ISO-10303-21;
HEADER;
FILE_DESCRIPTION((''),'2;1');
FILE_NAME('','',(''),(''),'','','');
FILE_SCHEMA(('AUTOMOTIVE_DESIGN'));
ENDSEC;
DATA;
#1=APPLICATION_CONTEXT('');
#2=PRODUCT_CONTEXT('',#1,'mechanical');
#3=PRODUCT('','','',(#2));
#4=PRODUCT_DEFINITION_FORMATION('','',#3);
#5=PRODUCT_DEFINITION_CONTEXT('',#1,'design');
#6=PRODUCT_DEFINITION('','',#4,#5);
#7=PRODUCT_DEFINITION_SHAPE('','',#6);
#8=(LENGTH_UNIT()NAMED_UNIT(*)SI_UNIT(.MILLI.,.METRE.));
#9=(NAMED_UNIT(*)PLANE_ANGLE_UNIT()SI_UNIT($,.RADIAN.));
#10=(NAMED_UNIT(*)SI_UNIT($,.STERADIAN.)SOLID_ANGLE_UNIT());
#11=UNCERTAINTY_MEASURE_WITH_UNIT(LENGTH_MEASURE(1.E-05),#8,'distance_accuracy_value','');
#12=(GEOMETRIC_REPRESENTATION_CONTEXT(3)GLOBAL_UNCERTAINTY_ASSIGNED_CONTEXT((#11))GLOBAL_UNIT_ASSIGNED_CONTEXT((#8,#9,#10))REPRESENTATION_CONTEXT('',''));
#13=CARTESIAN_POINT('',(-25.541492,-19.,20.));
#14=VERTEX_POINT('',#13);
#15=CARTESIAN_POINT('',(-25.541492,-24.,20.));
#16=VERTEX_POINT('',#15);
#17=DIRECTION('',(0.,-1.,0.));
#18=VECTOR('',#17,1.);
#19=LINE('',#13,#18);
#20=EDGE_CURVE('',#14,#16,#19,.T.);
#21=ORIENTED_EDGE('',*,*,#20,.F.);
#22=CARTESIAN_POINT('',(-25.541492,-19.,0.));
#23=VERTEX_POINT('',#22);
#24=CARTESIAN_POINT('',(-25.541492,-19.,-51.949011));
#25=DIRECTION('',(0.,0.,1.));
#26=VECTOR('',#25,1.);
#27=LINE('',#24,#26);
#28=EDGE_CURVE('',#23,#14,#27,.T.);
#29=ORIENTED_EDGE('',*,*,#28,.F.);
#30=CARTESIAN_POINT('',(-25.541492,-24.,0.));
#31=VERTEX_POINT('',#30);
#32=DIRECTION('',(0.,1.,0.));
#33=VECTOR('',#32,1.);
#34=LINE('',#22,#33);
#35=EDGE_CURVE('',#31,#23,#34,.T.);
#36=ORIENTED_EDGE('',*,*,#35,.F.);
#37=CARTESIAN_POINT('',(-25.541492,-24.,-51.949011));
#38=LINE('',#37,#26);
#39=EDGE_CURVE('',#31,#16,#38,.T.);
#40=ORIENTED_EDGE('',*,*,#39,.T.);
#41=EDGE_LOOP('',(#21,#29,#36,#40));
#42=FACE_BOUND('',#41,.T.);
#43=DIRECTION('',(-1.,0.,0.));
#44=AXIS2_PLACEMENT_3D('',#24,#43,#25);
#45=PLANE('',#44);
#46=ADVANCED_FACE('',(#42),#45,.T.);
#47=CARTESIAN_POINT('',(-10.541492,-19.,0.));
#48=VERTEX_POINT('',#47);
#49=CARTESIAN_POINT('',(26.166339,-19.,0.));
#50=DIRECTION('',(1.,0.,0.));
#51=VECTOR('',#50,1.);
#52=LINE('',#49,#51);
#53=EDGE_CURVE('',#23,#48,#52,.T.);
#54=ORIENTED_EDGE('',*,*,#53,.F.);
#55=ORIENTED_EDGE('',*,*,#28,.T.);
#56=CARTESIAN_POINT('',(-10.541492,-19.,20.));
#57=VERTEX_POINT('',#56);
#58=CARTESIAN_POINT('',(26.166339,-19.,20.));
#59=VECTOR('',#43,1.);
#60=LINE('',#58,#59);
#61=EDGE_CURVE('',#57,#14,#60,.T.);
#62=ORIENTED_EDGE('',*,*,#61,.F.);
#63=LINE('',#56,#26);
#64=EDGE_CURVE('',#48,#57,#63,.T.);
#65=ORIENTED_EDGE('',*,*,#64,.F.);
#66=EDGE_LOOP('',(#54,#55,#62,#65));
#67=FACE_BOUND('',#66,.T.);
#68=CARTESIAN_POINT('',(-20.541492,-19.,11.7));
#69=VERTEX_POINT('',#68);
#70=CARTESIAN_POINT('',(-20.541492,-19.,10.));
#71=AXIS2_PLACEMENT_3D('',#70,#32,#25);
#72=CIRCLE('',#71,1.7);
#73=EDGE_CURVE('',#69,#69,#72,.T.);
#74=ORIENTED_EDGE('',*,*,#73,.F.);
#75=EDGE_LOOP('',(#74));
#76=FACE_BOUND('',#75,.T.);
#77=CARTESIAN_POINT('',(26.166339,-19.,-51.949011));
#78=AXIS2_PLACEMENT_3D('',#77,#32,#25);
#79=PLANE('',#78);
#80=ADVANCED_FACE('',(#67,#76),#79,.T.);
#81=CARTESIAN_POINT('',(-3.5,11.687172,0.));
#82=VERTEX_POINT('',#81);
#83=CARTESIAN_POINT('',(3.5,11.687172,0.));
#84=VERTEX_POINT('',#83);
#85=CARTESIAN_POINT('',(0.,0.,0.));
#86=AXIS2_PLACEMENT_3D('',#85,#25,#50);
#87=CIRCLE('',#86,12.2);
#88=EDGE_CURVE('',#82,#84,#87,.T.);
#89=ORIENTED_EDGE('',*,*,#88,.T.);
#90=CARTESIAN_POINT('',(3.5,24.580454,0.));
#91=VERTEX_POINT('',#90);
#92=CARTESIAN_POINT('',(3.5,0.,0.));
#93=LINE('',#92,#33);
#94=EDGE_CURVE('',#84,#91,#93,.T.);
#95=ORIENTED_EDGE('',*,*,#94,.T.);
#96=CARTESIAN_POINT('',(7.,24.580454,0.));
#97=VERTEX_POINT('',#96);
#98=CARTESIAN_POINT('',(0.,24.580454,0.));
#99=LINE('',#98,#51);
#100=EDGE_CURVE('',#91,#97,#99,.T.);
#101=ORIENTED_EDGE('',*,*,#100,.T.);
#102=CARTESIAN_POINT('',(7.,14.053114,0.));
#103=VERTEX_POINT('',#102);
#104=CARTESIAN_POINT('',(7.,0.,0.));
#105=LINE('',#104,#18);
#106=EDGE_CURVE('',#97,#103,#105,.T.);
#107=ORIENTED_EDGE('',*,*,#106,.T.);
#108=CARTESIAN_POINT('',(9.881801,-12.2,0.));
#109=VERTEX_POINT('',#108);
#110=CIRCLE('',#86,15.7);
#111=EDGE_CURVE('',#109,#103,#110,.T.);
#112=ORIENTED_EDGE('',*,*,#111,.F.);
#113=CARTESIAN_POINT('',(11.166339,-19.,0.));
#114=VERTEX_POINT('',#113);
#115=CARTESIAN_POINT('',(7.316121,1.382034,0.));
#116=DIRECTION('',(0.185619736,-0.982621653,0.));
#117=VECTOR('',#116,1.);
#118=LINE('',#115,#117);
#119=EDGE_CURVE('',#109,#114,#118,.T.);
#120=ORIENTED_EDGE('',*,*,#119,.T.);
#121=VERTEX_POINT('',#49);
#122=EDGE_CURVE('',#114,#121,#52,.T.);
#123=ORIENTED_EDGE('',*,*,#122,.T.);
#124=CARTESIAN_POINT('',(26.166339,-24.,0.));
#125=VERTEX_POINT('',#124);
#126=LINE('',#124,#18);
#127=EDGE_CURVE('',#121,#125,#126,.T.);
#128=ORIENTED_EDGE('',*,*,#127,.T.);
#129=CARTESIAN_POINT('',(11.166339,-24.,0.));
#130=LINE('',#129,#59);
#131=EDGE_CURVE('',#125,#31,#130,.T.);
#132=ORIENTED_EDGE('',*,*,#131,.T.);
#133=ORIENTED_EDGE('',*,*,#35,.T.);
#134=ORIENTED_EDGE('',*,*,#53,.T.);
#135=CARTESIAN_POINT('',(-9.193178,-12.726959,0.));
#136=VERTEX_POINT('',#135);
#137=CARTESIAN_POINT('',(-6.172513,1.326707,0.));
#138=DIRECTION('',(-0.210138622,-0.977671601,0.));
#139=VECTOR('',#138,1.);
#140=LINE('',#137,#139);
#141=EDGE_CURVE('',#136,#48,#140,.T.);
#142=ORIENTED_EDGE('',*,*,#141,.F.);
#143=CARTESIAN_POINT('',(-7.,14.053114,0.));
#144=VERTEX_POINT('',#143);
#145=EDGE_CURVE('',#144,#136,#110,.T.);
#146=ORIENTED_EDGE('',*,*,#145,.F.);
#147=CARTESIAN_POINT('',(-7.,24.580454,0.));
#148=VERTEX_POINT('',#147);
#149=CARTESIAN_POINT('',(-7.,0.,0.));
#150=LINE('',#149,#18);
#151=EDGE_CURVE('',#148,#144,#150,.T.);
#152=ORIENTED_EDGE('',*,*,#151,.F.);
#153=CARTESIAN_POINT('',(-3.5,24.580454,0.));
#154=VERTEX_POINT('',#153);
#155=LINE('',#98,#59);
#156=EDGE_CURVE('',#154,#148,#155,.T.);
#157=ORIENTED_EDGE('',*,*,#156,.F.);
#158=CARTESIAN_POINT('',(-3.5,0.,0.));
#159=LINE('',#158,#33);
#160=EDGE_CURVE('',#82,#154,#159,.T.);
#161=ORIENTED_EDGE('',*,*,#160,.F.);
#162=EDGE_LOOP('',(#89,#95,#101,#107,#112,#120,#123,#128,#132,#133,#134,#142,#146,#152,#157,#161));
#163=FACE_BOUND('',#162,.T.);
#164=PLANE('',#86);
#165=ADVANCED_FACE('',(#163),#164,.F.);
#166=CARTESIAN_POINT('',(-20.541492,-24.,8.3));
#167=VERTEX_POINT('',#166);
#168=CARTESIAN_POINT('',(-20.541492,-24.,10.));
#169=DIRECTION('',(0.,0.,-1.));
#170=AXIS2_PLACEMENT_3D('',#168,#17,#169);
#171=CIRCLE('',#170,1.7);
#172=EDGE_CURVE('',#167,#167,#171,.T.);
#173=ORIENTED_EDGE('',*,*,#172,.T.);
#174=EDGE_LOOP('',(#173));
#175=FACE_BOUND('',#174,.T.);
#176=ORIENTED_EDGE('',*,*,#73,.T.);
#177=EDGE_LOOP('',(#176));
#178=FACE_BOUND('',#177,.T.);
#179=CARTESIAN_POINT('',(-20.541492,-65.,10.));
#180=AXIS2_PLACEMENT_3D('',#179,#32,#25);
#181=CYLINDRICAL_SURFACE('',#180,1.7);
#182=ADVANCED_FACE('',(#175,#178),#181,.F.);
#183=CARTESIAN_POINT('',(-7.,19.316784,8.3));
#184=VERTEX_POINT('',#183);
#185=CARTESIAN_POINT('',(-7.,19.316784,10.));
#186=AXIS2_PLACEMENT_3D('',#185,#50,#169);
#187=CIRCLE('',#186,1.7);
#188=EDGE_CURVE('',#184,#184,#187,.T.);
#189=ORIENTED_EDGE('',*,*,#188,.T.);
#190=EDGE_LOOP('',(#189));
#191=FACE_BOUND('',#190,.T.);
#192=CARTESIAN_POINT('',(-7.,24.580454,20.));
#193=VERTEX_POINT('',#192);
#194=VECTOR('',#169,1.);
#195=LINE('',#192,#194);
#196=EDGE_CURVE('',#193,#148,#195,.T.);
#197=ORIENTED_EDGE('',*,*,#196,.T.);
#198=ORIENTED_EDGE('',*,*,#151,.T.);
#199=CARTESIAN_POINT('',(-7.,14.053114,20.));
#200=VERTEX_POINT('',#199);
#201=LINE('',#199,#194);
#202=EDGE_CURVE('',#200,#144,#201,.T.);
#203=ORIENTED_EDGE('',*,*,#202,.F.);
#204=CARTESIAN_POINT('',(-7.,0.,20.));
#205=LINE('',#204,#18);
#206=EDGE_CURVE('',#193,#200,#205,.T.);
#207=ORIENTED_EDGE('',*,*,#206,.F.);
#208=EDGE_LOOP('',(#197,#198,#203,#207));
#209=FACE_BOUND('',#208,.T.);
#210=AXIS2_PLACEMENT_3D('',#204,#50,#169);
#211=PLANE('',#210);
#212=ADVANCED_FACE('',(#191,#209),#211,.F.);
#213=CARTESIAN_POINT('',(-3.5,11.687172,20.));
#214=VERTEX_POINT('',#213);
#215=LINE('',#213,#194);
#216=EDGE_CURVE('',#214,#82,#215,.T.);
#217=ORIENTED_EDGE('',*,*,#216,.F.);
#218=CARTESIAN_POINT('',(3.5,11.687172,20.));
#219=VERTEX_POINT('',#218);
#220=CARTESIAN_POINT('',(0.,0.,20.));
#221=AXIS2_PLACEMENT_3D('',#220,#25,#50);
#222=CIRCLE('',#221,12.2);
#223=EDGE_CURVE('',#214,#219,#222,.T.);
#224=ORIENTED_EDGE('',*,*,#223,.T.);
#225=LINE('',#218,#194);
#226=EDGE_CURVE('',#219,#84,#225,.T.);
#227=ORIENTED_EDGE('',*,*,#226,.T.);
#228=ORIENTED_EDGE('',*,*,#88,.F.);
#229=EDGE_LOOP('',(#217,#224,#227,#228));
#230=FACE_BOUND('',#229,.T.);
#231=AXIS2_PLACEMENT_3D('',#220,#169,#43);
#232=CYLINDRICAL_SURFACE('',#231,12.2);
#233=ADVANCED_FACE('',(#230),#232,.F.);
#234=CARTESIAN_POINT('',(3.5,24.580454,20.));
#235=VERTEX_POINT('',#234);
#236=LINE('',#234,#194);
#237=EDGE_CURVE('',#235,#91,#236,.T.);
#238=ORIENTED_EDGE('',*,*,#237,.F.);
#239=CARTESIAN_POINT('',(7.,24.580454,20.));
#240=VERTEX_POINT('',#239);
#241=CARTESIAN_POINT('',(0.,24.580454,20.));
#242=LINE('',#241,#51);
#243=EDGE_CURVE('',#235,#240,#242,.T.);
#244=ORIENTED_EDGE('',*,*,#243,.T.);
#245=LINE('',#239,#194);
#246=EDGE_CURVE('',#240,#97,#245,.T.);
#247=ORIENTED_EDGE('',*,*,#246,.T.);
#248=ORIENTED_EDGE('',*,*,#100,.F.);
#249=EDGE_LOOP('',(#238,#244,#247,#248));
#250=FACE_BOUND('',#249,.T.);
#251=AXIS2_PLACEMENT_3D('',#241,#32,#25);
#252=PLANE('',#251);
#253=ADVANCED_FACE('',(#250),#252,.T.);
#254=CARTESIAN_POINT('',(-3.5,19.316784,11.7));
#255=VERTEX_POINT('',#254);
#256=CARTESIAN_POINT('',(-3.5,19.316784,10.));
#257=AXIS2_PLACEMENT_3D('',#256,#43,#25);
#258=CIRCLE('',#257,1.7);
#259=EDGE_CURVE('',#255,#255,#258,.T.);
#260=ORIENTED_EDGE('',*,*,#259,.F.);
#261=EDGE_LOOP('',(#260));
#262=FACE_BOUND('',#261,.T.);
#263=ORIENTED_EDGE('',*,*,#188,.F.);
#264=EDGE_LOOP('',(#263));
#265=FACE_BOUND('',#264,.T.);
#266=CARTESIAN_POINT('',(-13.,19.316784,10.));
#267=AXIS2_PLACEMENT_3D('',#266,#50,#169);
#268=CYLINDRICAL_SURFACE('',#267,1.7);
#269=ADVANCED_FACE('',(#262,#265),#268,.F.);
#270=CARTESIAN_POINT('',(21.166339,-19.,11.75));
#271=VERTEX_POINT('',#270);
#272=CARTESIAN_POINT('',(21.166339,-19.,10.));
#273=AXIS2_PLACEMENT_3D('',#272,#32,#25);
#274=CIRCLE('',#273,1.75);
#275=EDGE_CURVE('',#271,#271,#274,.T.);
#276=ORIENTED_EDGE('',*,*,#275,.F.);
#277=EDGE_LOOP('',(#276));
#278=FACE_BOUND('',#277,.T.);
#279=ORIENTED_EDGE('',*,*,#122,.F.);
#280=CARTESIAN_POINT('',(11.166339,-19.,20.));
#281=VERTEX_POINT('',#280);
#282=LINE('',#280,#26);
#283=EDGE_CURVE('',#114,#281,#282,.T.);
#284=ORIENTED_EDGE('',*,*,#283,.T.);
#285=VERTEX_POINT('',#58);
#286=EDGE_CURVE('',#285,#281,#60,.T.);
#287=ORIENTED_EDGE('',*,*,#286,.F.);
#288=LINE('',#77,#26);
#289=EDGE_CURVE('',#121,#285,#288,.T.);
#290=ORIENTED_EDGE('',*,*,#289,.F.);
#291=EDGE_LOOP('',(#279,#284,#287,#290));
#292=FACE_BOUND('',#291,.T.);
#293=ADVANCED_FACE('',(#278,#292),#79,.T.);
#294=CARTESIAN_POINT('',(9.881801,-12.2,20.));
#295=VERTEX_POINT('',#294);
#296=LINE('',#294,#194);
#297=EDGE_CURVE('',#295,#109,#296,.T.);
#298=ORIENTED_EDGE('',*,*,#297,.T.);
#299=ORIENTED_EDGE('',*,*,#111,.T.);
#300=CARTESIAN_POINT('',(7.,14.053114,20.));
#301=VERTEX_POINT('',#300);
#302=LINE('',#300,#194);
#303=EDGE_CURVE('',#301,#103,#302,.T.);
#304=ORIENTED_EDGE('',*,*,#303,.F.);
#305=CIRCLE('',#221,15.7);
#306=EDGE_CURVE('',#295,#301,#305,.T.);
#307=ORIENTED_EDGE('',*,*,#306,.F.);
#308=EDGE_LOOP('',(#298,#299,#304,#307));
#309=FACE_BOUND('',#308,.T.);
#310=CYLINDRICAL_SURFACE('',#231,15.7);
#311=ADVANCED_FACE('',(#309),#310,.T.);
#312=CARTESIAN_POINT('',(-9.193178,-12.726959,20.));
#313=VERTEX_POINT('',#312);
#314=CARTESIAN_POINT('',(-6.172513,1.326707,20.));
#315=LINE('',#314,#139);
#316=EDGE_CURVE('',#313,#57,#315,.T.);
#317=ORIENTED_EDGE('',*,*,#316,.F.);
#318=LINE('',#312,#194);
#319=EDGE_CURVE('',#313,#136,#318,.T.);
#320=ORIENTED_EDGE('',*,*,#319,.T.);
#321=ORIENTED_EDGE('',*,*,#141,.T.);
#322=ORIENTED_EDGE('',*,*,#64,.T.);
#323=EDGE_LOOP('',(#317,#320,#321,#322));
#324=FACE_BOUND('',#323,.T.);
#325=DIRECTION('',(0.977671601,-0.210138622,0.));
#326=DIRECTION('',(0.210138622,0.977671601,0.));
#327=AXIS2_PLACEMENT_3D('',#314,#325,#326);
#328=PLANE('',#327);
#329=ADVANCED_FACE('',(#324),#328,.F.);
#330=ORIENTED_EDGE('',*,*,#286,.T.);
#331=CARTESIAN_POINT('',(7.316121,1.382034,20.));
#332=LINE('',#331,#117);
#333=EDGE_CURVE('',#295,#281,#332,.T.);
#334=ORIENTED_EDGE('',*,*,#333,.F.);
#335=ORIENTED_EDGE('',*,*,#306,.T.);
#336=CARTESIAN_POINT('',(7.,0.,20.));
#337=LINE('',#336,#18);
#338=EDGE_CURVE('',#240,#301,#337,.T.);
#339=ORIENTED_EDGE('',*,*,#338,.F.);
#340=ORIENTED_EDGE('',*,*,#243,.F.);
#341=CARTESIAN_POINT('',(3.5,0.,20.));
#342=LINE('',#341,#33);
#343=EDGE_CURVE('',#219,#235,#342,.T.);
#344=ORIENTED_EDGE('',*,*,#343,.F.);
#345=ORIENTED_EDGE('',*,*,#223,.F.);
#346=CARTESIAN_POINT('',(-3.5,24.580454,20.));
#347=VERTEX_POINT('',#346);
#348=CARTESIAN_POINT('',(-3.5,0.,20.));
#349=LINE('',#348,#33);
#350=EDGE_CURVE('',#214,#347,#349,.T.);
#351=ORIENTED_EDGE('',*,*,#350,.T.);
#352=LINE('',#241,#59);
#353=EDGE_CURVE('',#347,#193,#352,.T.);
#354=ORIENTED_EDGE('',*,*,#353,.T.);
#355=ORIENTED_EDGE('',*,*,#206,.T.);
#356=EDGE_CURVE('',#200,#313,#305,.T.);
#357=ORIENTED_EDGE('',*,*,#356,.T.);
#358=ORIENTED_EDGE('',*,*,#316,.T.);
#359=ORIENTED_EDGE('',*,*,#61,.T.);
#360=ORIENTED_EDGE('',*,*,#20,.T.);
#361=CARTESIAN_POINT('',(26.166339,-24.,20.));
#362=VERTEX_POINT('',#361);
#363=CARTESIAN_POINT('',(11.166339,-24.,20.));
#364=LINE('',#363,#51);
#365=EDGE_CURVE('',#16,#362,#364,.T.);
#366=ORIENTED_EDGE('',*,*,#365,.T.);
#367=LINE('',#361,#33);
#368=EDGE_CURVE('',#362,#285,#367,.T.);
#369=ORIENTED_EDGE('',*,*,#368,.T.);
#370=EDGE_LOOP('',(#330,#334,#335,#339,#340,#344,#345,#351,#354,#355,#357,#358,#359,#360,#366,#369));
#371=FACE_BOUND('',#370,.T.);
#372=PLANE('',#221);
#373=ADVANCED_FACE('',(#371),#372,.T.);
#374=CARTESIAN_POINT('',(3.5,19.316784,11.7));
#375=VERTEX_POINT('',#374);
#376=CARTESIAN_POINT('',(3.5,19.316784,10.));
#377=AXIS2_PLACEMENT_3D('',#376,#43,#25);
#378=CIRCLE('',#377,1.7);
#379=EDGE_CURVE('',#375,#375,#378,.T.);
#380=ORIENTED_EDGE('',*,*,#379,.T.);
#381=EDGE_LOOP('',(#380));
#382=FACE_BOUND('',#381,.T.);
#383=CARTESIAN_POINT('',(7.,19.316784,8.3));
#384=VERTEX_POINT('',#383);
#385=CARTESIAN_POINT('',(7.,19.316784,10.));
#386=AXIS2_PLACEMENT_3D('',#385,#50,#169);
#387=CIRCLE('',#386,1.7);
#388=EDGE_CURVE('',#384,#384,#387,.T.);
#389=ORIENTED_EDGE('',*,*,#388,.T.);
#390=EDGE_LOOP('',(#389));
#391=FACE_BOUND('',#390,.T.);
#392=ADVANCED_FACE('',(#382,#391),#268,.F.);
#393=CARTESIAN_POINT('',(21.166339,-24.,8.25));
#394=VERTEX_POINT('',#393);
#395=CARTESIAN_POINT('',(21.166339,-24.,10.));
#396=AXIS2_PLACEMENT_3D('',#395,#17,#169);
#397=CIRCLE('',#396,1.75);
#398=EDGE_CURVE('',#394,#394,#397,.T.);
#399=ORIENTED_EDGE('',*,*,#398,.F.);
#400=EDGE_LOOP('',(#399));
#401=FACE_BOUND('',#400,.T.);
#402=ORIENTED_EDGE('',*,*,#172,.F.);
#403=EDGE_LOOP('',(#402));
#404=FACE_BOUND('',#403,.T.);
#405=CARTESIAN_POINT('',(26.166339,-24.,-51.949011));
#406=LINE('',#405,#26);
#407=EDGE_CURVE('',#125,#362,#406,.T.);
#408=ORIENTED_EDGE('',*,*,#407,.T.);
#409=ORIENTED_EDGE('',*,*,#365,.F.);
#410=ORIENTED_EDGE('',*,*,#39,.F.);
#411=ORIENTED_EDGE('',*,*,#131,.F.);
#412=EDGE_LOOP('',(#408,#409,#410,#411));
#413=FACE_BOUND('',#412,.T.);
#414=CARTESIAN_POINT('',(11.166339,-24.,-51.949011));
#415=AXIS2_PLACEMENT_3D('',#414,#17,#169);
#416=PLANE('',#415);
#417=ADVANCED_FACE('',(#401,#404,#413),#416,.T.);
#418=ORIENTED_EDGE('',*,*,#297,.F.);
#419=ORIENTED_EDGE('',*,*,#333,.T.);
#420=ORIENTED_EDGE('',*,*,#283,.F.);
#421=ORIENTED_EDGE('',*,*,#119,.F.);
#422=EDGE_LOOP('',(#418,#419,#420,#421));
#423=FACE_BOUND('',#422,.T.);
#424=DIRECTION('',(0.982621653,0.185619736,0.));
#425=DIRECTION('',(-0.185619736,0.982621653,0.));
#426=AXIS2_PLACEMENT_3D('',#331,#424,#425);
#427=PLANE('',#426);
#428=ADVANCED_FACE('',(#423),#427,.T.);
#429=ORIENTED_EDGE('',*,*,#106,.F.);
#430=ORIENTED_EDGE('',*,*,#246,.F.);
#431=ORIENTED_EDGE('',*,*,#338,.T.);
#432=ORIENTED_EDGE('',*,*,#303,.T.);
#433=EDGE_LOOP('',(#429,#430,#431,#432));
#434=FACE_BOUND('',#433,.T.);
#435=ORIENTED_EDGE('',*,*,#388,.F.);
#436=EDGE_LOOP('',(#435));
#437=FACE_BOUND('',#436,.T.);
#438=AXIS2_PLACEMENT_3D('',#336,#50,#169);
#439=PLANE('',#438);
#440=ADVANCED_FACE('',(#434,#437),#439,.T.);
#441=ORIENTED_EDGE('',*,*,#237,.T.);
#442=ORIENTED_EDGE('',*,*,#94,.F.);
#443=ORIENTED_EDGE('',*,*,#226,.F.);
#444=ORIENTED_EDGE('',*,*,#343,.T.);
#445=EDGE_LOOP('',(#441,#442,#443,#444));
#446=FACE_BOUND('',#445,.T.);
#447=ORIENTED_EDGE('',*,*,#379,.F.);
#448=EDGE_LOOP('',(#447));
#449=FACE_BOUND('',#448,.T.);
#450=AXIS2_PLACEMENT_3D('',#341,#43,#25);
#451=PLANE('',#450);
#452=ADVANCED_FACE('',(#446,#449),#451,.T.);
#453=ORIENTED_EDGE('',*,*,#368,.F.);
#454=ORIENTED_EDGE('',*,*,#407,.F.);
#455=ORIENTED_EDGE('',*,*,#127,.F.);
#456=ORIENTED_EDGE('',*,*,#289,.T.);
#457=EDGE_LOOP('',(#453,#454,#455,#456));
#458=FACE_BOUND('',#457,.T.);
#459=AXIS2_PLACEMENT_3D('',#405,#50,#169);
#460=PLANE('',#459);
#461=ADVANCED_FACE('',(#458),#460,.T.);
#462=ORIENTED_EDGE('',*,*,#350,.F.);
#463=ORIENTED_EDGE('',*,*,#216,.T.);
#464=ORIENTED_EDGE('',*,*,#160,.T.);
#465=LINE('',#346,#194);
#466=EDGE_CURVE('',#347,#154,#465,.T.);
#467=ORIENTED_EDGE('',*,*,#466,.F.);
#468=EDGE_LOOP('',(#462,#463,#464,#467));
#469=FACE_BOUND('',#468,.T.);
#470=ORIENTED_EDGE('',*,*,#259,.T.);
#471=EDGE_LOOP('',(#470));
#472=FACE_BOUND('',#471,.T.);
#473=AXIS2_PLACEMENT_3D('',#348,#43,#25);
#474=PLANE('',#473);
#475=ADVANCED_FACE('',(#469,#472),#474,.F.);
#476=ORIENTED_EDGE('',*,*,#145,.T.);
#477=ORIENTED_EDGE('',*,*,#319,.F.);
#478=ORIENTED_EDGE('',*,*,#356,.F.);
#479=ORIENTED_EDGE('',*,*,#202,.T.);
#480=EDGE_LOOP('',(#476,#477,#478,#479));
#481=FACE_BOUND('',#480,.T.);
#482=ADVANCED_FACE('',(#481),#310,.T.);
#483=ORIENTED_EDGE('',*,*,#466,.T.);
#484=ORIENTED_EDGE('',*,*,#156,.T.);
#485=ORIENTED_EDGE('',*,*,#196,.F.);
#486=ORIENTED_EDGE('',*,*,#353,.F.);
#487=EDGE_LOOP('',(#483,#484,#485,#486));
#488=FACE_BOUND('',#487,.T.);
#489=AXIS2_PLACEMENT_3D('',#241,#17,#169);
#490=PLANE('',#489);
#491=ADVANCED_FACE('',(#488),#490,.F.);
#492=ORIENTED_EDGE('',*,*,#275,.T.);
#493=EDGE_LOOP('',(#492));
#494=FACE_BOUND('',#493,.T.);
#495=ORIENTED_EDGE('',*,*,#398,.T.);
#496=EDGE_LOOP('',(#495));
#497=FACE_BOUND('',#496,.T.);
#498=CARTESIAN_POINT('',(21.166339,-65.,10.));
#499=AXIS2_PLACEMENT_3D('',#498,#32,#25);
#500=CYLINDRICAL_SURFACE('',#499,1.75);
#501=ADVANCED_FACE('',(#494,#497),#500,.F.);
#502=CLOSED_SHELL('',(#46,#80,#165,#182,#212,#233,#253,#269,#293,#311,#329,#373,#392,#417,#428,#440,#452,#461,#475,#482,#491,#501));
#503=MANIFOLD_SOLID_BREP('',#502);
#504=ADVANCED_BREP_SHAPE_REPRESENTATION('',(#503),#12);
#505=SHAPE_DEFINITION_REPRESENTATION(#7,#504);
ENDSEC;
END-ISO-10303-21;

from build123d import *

# Parameters (mm, degrees)
Y_KSEKLIK_EKSTR_ZYON1_DEPTH = 20
IZIM6_R                     = 1.7
KES_EKSTR_ZYON2_DEPTH       = 20
KES_EKSTR_ZYON3_DEPTH       = 46
Y_KSEKLIK_EKSTR_ZYON2_DEPTH = 20
IZIM9_R                     = 1.7
IZIM9_R_2                   = 1.75
KES_EKSTR_ZYON4_DEPTH       = 46


with BuildPart() as part:
    # Çizim1 → Yükseklik-Ekstrüzyon1 (new body)
    with BuildSketch(Plane.XY):
        with BuildLine():
            Line((-3.5, 11.687172455), (-3.5, 20.580454312))
            Line((-3.5, 20.580454312), (-3.5, 24.580454312))
            Line((-3.5, 24.580454312), (-7, 24.580454312))
            Line((-7, 24.580454312), (-7, 20.580454312))
            Line((-7, 20.580454312), (-7, 14.053113534))
            ThreePointArc((-7, 14.053113534), (-15.647613909, 1.281475299), (-9.19317791, -12.726958785))
            Line((-9.19317791, -12.726958785), (-15.7, -43))
            Line((-15.7, -43), (15.7, -43))
            Line((15.7, -43), (9.881801455, -12.2))
            ThreePointArc((9.881801455, -12.2), (15.606258285, 1.713097297), (7, 14.053113534))
            Line((7, 14.053113534), (7, 20.580454312))
            Line((7, 20.580454312), (7, 24.580454312))
            Line((7, 24.580454312), (3.5, 24.580454312))
            Line((3.5, 24.580454312), (3.5, 20.580454312))
            Line((3.5, 20.580454312), (3.5, 11.687172455))
            ThreePointArc((3.5, 11.687172455), (0, -12.2), (-3.5, 11.687172455))
        make_face()
    extrude(amount=Y_KSEKLIK_EKSTR_ZYON1_DEPTH)

    # Çizim6 → Kes-Ekstrüzyon2 (cut)
    with BuildSketch(Plane(origin=(7, 0, 0), x_dir=(0, 0, -1), z_dir=(1, 0, 0))):
        with Locations((-10, 19.316783923)):
            Circle(IZIM6_R)
    extrude(amount=-KES_EKSTR_ZYON2_DEPTH, mode=Mode.SUBTRACT)

    # Çizim7 → Kes-Ekstrüzyon3 (cut)
    with BuildSketch(Plane.XY.offset(20)):
        Polygon((-15.7, -43), (-15.7, -19), (23.821750054, -19), (23.821750054, -48.375532492), (-15.7, -48.375532492), align=None)
    extrude(amount=-KES_EKSTR_ZYON3_DEPTH, mode=Mode.SUBTRACT)

    # Çizim8 → Yükseklik-Ekstrüzyon2 (add)
    with BuildSketch(Plane.XY.offset(20)):
        Polygon((-10.541491839, -19), (-25.541491839, -19), (-25.541491839, -24), (11.166338796, -24), (26.166338796, -24), (26.166338796, -19), (11.166338796, -19), align=None)
    extrude(amount=-Y_KSEKLIK_EKSTR_ZYON2_DEPTH)

    # Çizim9 → Kes-Ekstrüzyon4 (cut)
    with BuildSketch(Plane(origin=(0, -19, 0), x_dir=(1, 0, 0), z_dir=(0, 1, 0))):
        with Locations(Location((-20.541491839, -10, 0), (0, 0, 270))):
            Circle(IZIM9_R)
        with Locations(Location((21.166338796, -10, 0), (0, 0, 270))):
            Circle(IZIM9_R_2)
    extrude(amount=-KES_EKSTR_ZYON4_DEPTH, mode=Mode.SUBTRACT)


solid = part.part
